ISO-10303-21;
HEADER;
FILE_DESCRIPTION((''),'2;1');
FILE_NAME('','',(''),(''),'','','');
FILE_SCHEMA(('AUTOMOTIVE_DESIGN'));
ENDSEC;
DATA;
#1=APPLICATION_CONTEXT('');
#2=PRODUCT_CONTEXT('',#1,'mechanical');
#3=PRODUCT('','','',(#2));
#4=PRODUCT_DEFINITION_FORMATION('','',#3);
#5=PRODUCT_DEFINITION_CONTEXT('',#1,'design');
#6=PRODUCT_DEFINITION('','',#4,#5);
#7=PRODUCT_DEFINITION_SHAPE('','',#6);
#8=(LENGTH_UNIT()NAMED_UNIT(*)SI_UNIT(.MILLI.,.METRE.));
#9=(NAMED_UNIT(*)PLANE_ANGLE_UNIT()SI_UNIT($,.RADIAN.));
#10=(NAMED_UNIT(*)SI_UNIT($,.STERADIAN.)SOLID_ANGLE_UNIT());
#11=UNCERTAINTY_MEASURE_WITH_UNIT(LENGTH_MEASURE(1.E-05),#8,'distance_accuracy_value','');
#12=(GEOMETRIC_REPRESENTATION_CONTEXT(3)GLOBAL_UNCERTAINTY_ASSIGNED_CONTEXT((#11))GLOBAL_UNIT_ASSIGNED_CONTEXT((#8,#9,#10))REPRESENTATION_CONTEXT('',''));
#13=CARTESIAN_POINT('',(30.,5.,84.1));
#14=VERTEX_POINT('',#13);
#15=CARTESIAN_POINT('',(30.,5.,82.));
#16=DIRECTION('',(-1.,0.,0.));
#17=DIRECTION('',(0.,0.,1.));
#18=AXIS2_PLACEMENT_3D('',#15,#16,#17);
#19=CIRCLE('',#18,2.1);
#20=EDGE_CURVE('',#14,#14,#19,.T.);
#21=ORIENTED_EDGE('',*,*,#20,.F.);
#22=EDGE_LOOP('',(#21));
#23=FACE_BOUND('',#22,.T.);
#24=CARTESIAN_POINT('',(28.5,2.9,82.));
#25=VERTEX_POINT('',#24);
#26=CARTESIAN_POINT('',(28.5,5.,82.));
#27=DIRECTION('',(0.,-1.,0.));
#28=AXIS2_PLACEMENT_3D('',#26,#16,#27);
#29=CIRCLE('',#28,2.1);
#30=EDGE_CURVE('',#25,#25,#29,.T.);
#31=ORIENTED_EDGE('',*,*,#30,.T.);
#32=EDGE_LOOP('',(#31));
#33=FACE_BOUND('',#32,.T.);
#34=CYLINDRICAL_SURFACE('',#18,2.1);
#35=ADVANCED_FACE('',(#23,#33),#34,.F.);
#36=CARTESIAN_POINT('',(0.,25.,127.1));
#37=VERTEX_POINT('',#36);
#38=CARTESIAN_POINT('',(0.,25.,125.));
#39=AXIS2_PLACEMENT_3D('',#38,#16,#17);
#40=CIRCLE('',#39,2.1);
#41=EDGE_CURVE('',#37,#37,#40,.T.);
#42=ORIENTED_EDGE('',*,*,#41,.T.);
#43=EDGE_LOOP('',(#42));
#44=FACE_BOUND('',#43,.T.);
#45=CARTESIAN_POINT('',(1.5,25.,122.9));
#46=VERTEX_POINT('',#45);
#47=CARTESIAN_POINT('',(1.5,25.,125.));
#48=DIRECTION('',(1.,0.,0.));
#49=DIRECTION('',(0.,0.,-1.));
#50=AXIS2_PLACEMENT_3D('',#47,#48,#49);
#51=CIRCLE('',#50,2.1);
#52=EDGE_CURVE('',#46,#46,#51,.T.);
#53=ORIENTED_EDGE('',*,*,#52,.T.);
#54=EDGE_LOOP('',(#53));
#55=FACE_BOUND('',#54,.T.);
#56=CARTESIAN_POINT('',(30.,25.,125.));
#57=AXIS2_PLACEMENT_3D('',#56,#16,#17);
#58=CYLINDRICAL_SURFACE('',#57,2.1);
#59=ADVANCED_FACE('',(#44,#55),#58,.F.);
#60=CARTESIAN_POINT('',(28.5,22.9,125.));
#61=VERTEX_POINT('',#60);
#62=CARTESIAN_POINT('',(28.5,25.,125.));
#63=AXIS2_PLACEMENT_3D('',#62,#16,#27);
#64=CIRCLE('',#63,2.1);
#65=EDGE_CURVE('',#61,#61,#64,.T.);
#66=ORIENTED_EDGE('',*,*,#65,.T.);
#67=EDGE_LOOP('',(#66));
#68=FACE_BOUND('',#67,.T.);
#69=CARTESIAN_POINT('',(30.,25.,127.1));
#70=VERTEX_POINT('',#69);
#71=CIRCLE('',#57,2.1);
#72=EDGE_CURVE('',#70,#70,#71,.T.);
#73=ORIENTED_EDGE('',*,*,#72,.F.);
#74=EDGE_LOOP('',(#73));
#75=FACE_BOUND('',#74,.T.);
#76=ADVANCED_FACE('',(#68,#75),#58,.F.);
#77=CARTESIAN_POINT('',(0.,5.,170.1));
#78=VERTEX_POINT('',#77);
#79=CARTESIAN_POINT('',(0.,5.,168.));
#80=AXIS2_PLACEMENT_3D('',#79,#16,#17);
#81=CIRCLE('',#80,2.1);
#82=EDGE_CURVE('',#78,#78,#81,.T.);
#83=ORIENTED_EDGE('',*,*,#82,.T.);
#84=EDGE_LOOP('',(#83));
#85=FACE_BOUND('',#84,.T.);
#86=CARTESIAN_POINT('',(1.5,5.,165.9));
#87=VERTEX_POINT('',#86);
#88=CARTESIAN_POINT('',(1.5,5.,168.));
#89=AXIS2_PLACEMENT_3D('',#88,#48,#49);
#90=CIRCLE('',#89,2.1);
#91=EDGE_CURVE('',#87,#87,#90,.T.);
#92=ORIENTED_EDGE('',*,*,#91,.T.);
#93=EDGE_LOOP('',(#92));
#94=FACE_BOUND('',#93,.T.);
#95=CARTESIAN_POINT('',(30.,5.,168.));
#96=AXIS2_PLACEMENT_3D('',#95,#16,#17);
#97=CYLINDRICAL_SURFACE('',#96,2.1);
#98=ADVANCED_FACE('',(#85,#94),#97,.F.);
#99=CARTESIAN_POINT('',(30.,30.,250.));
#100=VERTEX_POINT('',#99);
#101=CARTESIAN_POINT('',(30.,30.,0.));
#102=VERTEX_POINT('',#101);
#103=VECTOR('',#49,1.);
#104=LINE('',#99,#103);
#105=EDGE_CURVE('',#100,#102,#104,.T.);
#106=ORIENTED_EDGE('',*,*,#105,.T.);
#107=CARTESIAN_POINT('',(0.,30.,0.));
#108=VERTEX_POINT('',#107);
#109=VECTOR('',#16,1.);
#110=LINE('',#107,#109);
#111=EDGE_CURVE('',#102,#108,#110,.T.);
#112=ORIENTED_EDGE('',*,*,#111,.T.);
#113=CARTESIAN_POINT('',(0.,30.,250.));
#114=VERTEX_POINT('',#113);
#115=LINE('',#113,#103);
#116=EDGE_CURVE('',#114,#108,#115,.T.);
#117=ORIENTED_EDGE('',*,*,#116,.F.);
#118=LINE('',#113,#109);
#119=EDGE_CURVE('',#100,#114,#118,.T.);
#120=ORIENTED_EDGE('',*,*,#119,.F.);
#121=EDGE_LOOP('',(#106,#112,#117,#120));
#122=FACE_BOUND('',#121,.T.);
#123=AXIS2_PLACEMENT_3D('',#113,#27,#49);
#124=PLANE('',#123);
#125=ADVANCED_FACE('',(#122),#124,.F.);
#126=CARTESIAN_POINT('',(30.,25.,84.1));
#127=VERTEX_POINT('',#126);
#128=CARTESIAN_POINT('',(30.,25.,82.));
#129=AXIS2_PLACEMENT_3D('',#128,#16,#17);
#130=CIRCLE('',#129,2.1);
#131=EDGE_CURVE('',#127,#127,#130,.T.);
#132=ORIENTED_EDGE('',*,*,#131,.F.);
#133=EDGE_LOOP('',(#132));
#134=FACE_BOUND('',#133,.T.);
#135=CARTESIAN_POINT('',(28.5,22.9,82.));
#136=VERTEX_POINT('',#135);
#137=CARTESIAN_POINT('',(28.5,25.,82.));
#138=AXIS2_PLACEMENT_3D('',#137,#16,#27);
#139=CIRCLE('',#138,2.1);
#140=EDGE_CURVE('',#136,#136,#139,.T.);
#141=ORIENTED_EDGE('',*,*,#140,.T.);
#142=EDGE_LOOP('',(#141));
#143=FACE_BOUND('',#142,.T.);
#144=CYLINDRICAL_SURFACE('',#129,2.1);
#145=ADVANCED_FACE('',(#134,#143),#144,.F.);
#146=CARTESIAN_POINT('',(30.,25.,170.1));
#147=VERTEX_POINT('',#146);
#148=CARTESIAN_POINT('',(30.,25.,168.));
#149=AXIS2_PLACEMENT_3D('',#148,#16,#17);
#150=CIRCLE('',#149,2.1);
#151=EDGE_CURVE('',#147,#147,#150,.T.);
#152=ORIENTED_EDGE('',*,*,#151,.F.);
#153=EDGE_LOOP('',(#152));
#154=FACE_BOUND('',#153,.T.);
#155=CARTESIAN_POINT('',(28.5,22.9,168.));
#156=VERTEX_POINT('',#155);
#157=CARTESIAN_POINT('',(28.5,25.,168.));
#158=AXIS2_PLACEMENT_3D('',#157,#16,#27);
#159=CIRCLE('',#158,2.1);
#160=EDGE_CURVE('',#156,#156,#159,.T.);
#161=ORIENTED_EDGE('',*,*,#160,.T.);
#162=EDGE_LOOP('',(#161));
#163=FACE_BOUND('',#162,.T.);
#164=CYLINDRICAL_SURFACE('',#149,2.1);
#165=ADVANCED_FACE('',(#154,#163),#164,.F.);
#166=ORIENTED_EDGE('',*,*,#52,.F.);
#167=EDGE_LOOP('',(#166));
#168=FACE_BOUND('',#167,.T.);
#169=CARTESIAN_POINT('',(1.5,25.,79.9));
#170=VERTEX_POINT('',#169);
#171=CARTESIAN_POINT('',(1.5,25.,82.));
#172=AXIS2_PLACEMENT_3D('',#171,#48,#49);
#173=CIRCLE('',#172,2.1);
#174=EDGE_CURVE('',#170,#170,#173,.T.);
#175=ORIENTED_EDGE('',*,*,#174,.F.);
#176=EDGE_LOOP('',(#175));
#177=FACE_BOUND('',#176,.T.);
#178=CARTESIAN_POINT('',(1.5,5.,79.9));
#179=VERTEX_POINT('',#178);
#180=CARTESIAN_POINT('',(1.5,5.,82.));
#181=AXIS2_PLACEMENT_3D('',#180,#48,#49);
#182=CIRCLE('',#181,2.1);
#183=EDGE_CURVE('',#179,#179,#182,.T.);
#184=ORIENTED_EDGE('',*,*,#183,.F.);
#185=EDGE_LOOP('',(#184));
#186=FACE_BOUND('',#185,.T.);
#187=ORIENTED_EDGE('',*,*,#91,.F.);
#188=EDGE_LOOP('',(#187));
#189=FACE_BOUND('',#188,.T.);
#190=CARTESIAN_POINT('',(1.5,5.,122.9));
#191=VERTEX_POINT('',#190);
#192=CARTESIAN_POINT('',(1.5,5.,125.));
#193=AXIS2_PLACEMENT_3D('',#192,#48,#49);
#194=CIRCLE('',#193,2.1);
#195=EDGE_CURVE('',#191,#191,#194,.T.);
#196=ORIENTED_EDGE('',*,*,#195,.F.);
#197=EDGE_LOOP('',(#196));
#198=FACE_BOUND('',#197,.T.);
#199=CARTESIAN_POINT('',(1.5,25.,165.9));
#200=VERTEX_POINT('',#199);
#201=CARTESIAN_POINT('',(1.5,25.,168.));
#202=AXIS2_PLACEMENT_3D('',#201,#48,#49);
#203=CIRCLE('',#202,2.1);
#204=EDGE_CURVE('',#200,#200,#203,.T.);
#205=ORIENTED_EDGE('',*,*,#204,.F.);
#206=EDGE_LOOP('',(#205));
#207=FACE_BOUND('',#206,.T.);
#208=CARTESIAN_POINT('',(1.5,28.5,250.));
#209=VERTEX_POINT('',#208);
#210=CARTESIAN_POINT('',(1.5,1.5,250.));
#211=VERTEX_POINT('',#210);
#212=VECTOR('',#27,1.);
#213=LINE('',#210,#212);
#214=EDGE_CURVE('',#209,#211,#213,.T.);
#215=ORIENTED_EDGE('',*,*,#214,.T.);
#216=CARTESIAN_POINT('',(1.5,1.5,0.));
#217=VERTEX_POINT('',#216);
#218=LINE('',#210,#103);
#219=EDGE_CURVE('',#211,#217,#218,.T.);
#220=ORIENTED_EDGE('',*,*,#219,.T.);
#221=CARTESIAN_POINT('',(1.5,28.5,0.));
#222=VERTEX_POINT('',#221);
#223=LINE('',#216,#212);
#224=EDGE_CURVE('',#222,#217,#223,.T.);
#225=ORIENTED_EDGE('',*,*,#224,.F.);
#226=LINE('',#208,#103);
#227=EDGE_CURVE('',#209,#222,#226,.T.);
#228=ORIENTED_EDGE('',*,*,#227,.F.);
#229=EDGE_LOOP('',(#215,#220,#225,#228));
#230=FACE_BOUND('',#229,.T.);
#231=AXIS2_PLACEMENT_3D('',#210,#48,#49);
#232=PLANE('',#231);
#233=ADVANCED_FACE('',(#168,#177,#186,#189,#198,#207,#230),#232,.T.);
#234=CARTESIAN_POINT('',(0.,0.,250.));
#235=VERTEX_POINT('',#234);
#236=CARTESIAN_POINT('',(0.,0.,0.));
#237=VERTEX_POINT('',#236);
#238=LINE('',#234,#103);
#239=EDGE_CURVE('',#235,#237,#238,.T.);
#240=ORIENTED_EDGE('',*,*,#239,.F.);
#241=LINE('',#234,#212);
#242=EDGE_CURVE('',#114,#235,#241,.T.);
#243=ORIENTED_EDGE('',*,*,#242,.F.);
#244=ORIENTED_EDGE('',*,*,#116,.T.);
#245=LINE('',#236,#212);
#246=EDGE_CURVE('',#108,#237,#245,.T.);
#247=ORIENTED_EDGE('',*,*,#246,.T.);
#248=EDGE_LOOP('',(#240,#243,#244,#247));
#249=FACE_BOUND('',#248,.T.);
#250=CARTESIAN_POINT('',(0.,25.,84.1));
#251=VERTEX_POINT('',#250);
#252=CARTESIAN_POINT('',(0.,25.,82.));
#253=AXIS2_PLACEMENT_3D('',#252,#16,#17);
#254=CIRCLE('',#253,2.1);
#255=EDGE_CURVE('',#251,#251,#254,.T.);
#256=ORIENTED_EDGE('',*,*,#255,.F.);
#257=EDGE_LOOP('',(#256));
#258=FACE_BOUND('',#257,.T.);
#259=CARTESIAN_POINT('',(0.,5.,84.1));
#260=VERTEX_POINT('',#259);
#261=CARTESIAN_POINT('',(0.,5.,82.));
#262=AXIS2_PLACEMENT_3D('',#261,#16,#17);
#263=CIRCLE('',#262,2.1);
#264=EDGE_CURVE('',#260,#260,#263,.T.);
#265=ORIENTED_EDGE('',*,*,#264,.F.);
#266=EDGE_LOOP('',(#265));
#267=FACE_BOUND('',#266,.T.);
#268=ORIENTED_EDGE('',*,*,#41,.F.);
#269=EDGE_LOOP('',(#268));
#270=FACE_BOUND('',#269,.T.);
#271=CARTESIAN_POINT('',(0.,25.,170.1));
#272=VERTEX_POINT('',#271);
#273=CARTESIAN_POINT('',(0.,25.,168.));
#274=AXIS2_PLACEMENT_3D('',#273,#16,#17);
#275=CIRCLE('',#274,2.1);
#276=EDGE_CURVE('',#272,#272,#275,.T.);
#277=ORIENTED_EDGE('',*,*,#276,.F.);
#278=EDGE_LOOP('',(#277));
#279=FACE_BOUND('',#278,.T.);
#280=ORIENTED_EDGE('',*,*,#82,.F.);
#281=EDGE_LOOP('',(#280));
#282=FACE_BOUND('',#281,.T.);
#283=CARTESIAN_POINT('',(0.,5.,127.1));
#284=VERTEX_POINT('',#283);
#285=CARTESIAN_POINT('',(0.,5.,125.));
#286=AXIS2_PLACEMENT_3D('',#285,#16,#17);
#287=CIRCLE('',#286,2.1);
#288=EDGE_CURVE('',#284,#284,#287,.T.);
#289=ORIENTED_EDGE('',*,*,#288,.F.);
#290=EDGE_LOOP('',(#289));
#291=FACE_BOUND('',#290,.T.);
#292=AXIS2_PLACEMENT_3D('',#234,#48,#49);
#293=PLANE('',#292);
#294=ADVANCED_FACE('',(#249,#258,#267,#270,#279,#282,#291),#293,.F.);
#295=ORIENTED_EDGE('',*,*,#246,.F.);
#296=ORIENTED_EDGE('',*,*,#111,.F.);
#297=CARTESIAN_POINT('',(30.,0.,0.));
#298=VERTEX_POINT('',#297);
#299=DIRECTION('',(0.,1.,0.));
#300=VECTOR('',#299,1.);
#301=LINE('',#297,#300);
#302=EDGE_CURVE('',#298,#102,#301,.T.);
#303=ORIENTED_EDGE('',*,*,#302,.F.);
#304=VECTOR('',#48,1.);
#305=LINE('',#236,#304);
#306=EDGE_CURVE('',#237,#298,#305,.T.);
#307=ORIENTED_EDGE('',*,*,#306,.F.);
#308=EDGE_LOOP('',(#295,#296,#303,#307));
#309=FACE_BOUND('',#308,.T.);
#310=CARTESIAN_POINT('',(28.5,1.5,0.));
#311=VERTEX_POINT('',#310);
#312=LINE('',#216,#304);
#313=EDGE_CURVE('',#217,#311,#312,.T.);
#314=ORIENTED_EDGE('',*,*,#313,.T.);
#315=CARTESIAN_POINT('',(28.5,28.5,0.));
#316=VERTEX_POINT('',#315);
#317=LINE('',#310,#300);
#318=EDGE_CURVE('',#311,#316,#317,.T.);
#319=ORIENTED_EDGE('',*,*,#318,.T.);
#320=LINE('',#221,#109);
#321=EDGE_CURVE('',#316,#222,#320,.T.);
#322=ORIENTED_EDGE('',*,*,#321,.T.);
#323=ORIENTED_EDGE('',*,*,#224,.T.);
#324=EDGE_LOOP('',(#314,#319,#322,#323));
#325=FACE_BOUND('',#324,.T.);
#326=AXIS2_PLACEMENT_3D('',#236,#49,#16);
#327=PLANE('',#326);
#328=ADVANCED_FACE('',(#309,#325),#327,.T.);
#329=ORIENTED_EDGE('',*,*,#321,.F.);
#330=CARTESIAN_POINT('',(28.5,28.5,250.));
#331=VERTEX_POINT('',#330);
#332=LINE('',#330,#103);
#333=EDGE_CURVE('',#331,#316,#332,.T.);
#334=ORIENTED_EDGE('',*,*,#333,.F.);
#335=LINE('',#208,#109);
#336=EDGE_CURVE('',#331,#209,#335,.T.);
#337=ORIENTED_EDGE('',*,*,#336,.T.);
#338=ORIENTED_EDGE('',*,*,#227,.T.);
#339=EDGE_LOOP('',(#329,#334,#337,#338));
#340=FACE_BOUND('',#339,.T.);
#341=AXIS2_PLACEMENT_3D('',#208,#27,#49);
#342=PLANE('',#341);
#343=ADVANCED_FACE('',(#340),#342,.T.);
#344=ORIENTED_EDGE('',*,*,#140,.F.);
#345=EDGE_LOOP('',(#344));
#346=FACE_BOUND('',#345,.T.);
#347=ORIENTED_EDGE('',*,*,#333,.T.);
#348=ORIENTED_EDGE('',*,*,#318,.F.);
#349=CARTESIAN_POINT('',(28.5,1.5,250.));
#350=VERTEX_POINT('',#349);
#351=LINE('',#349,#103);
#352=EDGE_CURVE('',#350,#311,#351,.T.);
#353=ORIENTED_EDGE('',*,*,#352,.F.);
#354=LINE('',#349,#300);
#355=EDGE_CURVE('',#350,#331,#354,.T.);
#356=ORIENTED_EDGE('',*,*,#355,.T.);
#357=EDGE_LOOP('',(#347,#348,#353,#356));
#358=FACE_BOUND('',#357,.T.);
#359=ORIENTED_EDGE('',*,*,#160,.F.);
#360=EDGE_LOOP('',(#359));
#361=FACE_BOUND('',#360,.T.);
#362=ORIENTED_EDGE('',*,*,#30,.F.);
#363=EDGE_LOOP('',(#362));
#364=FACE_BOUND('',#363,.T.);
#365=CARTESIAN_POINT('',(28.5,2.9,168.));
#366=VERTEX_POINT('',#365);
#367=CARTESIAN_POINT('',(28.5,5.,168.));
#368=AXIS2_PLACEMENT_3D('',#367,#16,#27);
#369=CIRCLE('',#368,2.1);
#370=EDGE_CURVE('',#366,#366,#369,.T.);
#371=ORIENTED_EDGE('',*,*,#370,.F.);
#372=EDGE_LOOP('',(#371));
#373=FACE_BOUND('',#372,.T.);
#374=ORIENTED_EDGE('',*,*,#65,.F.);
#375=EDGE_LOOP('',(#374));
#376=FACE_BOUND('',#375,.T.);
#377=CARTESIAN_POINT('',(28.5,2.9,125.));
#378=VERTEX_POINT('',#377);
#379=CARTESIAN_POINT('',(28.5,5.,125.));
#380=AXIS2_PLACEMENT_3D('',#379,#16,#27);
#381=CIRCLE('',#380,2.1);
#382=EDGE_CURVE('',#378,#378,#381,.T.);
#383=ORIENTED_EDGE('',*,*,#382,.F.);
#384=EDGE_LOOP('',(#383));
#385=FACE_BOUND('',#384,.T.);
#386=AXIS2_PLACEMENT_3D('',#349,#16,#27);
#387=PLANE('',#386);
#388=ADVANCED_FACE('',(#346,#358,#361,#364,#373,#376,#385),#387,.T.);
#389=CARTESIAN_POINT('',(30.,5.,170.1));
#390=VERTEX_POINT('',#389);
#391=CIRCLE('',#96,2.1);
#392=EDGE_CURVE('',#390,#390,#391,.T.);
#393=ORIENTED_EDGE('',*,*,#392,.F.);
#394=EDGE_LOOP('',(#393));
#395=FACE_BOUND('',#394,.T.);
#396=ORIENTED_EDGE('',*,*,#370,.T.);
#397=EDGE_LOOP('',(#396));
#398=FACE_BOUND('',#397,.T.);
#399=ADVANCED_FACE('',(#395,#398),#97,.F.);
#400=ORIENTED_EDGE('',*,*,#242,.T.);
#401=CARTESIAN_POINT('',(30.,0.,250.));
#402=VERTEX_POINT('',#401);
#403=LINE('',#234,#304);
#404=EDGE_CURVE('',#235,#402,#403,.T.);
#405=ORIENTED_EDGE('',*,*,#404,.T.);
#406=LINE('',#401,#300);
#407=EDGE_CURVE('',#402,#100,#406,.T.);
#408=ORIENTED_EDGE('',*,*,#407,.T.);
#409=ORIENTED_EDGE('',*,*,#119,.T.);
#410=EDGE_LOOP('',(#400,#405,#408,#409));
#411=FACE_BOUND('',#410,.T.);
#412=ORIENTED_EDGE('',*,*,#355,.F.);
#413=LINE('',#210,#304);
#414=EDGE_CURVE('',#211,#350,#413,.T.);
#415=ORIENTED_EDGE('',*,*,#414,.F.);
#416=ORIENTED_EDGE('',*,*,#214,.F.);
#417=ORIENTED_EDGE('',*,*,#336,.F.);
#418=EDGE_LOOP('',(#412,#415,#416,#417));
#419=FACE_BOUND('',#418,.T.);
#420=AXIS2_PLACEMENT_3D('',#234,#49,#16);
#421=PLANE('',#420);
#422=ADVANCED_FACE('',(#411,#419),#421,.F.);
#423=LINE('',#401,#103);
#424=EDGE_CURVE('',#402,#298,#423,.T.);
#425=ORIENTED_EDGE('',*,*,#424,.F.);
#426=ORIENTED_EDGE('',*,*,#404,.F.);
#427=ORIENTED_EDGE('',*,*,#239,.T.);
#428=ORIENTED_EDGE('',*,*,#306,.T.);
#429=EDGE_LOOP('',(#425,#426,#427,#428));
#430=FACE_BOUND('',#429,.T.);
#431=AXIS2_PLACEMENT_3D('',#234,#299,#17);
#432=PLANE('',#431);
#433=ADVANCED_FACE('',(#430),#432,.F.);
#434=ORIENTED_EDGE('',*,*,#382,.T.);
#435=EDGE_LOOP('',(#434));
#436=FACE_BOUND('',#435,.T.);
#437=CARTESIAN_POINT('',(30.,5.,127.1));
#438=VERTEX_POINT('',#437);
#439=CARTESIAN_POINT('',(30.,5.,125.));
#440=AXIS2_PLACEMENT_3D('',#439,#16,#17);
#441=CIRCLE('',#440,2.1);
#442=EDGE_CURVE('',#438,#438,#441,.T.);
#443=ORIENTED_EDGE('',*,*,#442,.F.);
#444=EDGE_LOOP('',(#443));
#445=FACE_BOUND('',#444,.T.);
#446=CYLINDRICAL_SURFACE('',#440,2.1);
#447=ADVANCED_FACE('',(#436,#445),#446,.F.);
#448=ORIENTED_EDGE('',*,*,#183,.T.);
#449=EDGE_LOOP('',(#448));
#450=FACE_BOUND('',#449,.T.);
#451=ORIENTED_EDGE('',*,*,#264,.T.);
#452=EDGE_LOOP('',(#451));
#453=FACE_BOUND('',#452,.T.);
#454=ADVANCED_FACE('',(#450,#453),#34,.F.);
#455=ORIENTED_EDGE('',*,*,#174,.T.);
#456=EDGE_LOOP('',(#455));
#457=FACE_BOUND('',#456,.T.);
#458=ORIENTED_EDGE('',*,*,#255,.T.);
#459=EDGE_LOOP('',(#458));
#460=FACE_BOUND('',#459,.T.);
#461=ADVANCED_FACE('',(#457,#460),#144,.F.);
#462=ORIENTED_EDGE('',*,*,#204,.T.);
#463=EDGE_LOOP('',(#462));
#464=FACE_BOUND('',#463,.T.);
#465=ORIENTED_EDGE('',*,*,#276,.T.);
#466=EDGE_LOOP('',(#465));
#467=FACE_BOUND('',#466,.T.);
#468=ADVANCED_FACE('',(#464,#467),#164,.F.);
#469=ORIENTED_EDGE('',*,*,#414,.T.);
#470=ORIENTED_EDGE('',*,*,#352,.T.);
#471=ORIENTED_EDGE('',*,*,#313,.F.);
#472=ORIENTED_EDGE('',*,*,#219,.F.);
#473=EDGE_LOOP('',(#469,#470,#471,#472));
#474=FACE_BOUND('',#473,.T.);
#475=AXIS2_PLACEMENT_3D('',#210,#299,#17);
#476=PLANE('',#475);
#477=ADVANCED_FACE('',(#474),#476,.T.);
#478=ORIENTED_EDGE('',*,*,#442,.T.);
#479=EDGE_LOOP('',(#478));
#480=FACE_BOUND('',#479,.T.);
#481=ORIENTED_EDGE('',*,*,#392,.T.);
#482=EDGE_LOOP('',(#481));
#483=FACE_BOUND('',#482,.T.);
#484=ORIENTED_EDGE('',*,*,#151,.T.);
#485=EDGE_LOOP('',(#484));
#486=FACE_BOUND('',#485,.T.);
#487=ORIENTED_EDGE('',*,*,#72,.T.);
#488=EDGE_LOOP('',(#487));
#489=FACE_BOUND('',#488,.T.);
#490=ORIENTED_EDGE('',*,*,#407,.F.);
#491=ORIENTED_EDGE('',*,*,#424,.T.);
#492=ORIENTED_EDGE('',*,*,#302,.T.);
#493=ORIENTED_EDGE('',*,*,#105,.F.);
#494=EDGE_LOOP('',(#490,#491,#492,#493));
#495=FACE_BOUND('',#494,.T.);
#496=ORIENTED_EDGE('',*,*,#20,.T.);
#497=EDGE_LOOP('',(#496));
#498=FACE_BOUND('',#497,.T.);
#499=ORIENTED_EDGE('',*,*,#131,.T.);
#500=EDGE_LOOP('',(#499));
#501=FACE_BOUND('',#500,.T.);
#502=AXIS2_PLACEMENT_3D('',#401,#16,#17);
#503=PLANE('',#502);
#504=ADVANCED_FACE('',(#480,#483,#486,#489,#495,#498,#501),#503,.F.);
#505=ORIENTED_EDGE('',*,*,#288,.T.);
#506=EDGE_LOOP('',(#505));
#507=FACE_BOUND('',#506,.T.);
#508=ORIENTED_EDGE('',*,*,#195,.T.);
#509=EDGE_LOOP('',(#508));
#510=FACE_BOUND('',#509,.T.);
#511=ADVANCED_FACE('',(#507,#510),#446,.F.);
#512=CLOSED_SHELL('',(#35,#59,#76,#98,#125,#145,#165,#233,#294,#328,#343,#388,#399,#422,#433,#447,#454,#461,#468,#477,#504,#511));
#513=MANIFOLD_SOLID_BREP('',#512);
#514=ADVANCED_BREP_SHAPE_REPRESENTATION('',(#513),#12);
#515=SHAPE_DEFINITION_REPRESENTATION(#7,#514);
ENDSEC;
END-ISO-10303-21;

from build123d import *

# Parameters (mm, degrees)
SKETCH1_W           = 30
SKETCH1_H           = 30
SKETCH1_W_2         = 27
SKETCH1_H_2         = 27
BOSS_EXTRUDE1_DEPTH = 250
SKETCH2_R           = 2.1
CUT_EXTRUDE1_DEPTH  = 254.574446662


with BuildPart() as part:
    # Sketch1 → Boss-Extrude1 (new body)
    with BuildSketch(Plane.XY):
        with Locations((15, 15)):
            Rectangle(SKETCH1_W, SKETCH1_H)
        with Locations((15, 15)):
            Rectangle(SKETCH1_W_2, SKETCH1_H_2, mode=Mode.SUBTRACT)
    extrude(amount=BOSS_EXTRUDE1_DEPTH)

    # Sketch2 → Cut-Extrude1 (cut, through all)
    with BuildSketch(Plane.ZY):
        with Locations((125, 25)):
            Circle(SKETCH2_R)
        with Locations((125, 5)):
            Circle(SKETCH2_R)
        with Locations((168, 25)):
            Circle(SKETCH2_R)
        with Locations((168, 5)):
            Circle(SKETCH2_R)
        with Locations((82, 5)):
            Circle(SKETCH2_R)
        with Locations((82, 25)):
            Circle(SKETCH2_R)
    extrude(amount=-CUT_EXTRUDE1_DEPTH, mode=Mode.SUBTRACT)


solid = part.part
